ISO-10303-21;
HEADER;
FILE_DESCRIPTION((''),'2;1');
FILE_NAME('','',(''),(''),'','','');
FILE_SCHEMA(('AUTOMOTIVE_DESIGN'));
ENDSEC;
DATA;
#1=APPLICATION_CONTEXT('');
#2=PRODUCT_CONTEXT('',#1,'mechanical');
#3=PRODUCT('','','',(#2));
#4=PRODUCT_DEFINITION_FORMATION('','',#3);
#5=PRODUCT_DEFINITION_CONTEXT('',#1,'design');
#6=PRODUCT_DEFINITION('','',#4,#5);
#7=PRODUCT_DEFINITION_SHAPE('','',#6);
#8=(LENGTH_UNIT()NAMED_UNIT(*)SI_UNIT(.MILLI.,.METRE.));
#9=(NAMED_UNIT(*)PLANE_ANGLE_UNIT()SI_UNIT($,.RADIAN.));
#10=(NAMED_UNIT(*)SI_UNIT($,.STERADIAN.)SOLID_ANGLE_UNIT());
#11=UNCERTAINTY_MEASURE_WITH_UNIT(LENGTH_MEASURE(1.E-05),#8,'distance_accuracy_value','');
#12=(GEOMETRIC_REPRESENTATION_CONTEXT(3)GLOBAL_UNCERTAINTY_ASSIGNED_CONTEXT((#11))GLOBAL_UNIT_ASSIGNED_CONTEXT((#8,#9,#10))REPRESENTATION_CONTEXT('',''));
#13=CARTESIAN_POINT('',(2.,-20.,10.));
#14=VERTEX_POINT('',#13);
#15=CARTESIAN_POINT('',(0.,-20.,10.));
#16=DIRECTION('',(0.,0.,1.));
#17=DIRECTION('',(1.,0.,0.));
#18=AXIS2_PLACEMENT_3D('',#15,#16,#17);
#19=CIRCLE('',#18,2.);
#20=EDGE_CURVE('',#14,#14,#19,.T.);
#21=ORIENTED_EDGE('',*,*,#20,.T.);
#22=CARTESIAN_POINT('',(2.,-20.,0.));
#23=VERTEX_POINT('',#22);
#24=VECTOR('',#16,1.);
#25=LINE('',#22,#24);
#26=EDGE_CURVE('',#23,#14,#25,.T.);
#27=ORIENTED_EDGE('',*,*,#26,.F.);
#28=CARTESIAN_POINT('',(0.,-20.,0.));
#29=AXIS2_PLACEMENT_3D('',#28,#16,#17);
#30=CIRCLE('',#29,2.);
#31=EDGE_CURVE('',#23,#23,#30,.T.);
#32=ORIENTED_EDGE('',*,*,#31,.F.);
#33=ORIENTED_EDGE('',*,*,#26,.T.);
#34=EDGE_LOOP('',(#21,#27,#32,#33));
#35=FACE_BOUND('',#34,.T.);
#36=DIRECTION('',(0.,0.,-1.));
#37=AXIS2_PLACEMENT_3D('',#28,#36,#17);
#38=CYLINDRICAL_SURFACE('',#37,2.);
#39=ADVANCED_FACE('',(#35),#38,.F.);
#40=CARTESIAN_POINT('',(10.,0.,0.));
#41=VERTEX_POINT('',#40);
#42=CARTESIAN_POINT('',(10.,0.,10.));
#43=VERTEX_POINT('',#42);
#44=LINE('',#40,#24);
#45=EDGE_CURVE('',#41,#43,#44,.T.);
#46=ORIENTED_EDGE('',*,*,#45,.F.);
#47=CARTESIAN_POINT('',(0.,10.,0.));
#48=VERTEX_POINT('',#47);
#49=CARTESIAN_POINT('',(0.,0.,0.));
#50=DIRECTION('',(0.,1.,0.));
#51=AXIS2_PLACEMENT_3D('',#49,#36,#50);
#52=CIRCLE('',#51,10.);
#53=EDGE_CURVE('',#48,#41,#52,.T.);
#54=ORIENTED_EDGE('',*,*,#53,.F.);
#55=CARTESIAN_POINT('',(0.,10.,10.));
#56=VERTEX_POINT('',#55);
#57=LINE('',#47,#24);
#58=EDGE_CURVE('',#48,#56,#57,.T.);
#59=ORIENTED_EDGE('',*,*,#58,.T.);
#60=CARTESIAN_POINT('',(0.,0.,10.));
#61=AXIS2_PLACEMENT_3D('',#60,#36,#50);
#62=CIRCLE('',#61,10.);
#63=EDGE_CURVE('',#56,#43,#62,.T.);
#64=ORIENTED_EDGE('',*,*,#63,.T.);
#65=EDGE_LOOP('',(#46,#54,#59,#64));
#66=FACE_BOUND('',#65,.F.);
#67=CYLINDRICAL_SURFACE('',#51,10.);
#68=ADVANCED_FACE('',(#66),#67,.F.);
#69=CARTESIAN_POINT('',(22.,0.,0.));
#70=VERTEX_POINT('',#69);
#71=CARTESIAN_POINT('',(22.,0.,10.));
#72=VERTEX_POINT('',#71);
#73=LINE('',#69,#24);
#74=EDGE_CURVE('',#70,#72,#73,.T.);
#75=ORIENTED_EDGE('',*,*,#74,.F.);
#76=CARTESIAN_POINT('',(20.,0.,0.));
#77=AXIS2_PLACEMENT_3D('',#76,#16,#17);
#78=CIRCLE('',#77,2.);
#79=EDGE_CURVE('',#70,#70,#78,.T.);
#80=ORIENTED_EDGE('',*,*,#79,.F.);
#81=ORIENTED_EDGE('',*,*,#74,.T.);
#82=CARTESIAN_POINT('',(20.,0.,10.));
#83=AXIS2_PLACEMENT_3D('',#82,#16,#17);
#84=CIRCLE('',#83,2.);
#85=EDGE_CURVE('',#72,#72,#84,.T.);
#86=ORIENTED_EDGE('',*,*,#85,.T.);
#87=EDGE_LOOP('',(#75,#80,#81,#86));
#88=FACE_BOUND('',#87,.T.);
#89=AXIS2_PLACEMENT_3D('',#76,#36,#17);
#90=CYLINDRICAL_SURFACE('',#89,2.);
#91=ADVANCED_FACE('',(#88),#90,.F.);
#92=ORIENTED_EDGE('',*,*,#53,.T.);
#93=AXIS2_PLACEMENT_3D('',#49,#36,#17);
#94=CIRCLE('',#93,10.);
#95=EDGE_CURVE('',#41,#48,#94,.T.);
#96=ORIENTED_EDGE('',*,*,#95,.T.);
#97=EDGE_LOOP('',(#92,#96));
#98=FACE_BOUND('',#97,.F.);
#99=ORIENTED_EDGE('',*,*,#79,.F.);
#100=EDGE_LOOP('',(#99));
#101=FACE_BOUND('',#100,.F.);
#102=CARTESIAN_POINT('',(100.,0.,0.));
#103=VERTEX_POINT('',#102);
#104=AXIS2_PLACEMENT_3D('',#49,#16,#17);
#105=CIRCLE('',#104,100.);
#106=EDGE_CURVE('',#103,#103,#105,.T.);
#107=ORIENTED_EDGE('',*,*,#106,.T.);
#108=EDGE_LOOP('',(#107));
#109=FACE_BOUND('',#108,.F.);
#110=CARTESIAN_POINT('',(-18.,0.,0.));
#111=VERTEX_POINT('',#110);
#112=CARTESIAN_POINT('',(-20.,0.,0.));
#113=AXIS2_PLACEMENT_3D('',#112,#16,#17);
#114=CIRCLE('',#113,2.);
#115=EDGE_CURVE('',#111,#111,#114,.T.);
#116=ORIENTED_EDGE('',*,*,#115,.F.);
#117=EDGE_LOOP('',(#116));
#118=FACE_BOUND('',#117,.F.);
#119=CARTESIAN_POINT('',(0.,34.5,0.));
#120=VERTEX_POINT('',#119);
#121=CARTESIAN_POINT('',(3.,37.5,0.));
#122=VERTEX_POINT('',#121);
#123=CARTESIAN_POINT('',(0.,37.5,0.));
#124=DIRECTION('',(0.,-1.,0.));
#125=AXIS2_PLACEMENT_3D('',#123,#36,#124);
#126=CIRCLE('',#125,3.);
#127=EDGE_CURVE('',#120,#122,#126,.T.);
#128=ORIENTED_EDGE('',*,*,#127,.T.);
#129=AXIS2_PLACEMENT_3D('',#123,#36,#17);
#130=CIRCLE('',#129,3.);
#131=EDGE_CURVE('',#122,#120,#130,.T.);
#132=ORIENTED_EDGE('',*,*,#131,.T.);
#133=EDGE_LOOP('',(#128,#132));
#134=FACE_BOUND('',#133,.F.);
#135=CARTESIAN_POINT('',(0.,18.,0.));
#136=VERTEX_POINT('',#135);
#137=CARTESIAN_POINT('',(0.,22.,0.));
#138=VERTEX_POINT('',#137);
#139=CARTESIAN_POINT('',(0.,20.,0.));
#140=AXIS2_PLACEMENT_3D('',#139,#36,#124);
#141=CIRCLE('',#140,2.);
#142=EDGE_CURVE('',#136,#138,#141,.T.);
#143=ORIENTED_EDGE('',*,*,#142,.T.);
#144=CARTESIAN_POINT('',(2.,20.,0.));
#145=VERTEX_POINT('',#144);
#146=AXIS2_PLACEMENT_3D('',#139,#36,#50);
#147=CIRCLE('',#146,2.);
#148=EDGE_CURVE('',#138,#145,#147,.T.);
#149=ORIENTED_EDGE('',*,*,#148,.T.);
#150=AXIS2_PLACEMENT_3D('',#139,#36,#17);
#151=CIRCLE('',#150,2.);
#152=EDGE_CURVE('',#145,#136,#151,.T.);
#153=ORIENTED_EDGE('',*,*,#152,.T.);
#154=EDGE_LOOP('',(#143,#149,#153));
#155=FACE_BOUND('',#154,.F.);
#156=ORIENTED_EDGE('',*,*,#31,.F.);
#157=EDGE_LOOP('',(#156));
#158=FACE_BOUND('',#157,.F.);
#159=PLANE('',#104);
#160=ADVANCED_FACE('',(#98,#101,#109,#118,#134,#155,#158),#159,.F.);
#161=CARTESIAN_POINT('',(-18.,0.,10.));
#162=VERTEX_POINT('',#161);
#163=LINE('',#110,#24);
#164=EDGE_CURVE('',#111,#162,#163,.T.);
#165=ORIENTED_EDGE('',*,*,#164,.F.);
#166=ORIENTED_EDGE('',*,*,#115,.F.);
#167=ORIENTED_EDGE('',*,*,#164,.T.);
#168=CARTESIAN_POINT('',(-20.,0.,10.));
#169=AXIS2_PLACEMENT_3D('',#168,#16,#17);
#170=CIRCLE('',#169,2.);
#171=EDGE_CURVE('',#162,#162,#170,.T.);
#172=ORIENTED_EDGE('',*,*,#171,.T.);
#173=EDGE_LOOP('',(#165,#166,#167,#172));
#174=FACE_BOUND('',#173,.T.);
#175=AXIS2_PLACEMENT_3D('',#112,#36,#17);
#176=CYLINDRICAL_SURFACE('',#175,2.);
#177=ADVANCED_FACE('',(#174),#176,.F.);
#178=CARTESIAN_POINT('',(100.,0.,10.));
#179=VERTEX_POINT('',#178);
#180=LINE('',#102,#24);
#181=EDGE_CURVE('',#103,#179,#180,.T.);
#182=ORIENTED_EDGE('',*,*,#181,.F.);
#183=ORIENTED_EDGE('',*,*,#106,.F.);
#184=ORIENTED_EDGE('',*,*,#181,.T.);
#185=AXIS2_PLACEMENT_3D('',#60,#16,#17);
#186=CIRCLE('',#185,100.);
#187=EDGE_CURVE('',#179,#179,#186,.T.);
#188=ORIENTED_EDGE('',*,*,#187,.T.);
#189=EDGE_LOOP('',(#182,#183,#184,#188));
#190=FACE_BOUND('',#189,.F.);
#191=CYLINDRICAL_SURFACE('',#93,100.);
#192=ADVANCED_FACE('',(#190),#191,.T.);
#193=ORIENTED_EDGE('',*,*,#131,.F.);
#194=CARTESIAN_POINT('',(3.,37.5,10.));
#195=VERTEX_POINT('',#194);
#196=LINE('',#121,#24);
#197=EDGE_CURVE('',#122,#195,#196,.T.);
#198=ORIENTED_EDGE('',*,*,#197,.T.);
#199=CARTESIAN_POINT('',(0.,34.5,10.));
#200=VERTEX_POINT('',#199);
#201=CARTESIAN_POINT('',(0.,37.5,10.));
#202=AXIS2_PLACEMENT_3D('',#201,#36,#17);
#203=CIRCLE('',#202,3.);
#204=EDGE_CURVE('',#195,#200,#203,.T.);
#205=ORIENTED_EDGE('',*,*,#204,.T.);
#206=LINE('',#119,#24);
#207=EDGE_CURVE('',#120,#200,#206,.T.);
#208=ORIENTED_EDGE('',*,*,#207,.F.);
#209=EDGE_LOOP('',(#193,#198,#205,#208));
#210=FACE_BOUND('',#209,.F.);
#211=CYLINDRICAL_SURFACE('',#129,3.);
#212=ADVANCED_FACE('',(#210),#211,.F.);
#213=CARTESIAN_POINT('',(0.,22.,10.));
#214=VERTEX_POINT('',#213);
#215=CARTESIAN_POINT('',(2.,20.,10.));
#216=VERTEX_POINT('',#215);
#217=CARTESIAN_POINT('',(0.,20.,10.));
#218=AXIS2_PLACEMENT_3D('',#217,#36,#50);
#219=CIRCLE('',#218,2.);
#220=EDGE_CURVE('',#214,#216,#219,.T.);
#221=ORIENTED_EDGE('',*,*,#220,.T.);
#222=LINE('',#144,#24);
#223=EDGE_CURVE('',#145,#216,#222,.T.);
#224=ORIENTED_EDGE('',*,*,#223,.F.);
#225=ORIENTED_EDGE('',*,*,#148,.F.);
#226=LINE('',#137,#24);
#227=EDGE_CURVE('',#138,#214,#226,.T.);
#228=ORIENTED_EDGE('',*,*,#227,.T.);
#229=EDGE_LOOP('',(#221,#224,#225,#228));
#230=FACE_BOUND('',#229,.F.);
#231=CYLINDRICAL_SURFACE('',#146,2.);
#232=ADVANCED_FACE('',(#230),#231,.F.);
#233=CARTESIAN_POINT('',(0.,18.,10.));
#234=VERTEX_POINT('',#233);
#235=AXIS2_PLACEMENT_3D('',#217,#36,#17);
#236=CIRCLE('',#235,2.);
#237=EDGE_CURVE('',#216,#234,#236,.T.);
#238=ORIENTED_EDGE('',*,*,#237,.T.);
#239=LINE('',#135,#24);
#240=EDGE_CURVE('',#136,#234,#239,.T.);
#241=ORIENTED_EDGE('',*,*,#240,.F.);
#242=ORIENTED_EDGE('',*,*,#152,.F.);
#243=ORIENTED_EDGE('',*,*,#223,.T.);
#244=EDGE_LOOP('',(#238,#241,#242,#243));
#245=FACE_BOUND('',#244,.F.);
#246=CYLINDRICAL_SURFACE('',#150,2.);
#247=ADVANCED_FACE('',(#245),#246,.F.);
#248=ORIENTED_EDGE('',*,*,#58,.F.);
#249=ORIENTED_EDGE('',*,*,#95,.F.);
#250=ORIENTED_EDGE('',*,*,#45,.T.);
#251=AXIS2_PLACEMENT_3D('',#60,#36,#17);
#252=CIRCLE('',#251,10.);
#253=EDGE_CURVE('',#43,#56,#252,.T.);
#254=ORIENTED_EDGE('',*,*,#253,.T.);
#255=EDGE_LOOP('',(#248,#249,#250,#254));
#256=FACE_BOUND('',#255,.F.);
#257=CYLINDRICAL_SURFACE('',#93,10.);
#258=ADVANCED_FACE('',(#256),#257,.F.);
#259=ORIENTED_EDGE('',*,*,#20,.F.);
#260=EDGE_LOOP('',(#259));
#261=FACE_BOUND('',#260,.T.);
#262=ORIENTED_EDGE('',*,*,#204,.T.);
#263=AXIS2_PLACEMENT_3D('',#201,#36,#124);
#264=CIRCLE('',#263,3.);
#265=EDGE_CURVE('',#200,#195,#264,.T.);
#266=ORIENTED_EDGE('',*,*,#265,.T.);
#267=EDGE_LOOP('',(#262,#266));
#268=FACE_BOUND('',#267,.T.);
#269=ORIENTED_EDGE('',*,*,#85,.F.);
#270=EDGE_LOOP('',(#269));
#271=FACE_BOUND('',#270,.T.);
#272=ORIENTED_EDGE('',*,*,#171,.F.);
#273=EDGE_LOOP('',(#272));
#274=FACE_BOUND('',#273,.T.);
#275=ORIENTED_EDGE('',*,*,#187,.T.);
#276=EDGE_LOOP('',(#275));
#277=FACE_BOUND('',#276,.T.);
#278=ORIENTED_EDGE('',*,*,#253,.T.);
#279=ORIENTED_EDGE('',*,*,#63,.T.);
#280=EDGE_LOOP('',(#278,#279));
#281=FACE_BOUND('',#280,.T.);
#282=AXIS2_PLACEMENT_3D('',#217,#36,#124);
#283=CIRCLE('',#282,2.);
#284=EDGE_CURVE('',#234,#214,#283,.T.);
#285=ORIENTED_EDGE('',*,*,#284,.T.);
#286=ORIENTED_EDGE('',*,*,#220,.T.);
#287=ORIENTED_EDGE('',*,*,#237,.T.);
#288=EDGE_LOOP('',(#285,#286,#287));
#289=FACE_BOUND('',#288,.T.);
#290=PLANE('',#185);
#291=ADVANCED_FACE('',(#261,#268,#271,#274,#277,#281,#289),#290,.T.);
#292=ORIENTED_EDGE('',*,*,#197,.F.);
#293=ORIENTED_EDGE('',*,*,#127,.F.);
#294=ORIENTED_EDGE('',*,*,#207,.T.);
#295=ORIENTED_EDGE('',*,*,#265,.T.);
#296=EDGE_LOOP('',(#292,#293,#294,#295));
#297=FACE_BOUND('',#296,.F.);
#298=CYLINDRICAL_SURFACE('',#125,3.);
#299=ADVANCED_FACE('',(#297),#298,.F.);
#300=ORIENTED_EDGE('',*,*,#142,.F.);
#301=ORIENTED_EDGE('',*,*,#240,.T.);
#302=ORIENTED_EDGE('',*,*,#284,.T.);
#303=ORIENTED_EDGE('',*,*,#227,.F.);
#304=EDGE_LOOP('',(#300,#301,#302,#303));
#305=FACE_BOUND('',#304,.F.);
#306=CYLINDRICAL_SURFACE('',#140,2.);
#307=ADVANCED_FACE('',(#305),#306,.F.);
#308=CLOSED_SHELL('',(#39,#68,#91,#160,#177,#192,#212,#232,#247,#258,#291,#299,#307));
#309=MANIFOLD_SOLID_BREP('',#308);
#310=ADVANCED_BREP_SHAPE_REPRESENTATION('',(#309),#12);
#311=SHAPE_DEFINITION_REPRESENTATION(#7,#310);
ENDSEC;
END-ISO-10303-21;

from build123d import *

# Parameters (mm, degrees)
F0_R     = 100
F0_R_2   = 2
F1_DEPTH = 10


with BuildPart() as f1:
    # F0 (on Top) → F1 (new body)
    with BuildSketch(Plane.XY):
        Circle(F0_R)
        with Locations((0, -20)):
            Circle(F0_R_2, mode=Mode.SUBTRACT)
        with Locations((-20, 0)):
            Circle(F0_R_2, mode=Mode.SUBTRACT)
        with BuildLine():
            ThreePointArc((0, 10), (7.0710678119, 7.0710678119), (10, 0))
            ThreePointArc((10, 0), (-7.0710678119, -7.0710678119), (0, 10))
        make_face(mode=Mode.SUBTRACT)
        with Locations((20, 0)):
            Circle(F0_R_2, mode=Mode.SUBTRACT)
        with BuildLine():
            ThreePointArc((2, 20), (1.4142135624, 18.5857864376), (0, 18))
            ThreePointArc((0, 18), (-2, 20), (0, 22))
            ThreePointArc((0, 22), (1.4142135624, 21.4142135624), (2, 20))
        make_face(mode=Mode.SUBTRACT)
        with BuildLine():
            ThreePointArc((3, 37.5), (2.1213203436, 35.3786796564), (0, 34.5))
            ThreePointArc((0, 34.5), (-2.1213203436, 39.6213203436), (3, 37.5))
        make_face(mode=Mode.SUBTRACT)
    extrude(amount=F1_DEPTH)


solid = f1.part
